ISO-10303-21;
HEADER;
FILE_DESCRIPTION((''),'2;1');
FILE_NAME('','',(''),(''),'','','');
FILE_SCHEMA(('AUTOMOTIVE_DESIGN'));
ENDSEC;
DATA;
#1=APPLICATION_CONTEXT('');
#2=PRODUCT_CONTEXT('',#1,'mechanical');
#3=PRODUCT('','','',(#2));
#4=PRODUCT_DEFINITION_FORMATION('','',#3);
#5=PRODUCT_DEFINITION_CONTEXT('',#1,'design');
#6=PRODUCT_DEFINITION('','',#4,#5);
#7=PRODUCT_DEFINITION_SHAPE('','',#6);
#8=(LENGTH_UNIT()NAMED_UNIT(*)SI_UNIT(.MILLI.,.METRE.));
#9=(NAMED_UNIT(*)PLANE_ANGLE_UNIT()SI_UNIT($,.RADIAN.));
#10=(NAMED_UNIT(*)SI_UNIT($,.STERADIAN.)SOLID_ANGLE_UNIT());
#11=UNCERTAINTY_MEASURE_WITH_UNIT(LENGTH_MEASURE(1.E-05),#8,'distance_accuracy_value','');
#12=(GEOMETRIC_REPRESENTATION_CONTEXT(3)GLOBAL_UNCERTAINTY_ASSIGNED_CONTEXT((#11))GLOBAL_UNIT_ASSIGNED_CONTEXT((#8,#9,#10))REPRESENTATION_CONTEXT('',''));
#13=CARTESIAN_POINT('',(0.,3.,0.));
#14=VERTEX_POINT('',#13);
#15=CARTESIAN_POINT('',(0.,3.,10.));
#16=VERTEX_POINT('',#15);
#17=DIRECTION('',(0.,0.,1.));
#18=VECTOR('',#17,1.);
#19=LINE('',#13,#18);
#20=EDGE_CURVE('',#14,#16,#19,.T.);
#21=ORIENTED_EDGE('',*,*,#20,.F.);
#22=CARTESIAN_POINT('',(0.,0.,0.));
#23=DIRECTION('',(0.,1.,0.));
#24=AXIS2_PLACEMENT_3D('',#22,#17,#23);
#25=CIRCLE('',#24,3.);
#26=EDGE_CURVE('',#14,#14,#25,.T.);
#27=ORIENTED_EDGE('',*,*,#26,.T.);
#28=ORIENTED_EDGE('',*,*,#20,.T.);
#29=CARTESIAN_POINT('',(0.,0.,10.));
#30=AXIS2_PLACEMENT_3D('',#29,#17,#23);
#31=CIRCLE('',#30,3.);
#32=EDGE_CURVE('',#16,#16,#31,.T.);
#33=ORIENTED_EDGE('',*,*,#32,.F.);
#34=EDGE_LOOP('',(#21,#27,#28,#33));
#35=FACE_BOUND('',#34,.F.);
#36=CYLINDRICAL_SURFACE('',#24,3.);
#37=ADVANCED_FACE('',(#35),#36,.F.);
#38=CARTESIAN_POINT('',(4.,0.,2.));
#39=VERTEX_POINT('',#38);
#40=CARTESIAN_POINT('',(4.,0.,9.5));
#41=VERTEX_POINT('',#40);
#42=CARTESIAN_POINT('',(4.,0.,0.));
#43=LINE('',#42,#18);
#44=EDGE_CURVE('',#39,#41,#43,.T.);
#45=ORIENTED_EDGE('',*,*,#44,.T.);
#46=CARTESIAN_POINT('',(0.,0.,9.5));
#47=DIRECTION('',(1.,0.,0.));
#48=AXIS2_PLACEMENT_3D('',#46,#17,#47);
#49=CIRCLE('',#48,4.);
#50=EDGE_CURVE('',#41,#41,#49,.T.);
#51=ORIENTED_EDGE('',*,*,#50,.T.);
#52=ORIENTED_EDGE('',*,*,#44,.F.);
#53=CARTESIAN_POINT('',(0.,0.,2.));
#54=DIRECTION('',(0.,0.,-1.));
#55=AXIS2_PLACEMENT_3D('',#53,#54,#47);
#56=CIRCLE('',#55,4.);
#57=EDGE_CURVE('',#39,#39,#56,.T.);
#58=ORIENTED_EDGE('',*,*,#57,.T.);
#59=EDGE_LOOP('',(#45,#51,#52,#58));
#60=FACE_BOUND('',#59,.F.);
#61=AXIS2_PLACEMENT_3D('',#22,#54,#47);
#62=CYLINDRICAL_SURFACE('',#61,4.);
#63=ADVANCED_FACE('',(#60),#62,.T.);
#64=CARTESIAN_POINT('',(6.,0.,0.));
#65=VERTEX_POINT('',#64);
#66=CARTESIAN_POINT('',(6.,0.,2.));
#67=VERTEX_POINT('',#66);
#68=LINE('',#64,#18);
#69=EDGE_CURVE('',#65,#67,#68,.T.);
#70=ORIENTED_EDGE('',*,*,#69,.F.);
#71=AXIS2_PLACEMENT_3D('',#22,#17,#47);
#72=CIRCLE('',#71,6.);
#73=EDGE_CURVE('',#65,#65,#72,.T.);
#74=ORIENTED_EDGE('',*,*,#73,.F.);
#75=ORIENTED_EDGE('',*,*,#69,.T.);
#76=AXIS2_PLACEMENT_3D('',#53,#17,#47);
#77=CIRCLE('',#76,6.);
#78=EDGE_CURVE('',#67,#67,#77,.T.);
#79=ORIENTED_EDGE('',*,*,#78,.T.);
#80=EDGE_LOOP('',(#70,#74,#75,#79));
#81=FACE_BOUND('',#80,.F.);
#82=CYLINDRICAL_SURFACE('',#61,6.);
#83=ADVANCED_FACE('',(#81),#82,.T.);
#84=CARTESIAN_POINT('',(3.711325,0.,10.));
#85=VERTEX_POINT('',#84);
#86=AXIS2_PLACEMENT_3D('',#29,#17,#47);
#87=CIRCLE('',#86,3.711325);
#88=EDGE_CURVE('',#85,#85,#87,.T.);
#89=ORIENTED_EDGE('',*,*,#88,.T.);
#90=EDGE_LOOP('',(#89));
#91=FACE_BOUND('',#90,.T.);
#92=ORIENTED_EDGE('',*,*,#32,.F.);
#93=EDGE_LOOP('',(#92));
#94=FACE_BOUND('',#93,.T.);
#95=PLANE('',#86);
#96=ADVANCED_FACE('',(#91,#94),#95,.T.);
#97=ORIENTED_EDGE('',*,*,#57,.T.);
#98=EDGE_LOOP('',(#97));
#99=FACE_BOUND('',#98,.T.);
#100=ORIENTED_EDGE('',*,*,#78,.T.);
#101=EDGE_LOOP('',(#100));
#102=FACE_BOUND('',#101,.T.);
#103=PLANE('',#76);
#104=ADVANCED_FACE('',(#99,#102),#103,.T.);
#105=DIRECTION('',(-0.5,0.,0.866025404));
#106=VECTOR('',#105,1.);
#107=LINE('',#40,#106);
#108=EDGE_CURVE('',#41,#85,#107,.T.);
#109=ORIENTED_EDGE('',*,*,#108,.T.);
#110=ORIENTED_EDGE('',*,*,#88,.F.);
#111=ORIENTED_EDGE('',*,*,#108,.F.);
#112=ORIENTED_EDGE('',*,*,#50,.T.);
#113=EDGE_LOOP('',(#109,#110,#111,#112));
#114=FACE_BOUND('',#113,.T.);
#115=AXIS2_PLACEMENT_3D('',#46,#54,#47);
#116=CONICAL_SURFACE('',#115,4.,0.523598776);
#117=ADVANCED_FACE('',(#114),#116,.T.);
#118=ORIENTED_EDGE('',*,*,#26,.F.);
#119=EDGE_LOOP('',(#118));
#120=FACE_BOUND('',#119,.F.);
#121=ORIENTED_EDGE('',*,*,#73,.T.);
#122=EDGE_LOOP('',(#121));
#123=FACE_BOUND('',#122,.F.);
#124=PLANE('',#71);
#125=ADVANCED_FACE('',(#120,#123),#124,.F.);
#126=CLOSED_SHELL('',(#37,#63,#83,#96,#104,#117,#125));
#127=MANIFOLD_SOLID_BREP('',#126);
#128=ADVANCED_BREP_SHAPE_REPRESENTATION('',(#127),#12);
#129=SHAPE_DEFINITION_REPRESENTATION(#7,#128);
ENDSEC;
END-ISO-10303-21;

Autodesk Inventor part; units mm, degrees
ref_plane "YZ Plane" through (0, 0, 0) normal (1, 0, 0) x (0, 1, 0)
ref_plane "XZ Plane" through (0, 0, 0) normal (0, 1, 0) x (-1, 0, 0)
ref_plane "XY Plane" through (0, 0, 0) normal (0, 0, 1) x (1, 0, 0)
sketch "Sketch1" plane through (0, 0, 0) normal (0, 0, 1) x (1, 0, 0)
  circle A0 centre (0, 0) radius 6
  circle A1 centre (0, 0) radius 3 construction
  circle A2 centre (0, 0) radius 4
  dimension "dia_Flange" = 12
  dimension "dia_Shaft" = 6
  dimension "dia_Outer" = 8
extrude "Extrusion1" add sketch "Sketch1" along normal blind 2 contours A0 | A2
extrude "Extrusion2" add sketch "Sketch1" along normal blind 10 contours A2
chamfer "Chamfer1" distance 0.5 angle 30 1 edges at (-4, 0, 10) measured on face at (3.9482, 0.6416, 4.6667)
hole "Hole1" at (0, 0, 0) direction (0, 0, 1) diameter 6 end through all
equation "\"d10\" = dia_Shaft"
properties part number "GFM-0608-10_Brass" material "Brass"
